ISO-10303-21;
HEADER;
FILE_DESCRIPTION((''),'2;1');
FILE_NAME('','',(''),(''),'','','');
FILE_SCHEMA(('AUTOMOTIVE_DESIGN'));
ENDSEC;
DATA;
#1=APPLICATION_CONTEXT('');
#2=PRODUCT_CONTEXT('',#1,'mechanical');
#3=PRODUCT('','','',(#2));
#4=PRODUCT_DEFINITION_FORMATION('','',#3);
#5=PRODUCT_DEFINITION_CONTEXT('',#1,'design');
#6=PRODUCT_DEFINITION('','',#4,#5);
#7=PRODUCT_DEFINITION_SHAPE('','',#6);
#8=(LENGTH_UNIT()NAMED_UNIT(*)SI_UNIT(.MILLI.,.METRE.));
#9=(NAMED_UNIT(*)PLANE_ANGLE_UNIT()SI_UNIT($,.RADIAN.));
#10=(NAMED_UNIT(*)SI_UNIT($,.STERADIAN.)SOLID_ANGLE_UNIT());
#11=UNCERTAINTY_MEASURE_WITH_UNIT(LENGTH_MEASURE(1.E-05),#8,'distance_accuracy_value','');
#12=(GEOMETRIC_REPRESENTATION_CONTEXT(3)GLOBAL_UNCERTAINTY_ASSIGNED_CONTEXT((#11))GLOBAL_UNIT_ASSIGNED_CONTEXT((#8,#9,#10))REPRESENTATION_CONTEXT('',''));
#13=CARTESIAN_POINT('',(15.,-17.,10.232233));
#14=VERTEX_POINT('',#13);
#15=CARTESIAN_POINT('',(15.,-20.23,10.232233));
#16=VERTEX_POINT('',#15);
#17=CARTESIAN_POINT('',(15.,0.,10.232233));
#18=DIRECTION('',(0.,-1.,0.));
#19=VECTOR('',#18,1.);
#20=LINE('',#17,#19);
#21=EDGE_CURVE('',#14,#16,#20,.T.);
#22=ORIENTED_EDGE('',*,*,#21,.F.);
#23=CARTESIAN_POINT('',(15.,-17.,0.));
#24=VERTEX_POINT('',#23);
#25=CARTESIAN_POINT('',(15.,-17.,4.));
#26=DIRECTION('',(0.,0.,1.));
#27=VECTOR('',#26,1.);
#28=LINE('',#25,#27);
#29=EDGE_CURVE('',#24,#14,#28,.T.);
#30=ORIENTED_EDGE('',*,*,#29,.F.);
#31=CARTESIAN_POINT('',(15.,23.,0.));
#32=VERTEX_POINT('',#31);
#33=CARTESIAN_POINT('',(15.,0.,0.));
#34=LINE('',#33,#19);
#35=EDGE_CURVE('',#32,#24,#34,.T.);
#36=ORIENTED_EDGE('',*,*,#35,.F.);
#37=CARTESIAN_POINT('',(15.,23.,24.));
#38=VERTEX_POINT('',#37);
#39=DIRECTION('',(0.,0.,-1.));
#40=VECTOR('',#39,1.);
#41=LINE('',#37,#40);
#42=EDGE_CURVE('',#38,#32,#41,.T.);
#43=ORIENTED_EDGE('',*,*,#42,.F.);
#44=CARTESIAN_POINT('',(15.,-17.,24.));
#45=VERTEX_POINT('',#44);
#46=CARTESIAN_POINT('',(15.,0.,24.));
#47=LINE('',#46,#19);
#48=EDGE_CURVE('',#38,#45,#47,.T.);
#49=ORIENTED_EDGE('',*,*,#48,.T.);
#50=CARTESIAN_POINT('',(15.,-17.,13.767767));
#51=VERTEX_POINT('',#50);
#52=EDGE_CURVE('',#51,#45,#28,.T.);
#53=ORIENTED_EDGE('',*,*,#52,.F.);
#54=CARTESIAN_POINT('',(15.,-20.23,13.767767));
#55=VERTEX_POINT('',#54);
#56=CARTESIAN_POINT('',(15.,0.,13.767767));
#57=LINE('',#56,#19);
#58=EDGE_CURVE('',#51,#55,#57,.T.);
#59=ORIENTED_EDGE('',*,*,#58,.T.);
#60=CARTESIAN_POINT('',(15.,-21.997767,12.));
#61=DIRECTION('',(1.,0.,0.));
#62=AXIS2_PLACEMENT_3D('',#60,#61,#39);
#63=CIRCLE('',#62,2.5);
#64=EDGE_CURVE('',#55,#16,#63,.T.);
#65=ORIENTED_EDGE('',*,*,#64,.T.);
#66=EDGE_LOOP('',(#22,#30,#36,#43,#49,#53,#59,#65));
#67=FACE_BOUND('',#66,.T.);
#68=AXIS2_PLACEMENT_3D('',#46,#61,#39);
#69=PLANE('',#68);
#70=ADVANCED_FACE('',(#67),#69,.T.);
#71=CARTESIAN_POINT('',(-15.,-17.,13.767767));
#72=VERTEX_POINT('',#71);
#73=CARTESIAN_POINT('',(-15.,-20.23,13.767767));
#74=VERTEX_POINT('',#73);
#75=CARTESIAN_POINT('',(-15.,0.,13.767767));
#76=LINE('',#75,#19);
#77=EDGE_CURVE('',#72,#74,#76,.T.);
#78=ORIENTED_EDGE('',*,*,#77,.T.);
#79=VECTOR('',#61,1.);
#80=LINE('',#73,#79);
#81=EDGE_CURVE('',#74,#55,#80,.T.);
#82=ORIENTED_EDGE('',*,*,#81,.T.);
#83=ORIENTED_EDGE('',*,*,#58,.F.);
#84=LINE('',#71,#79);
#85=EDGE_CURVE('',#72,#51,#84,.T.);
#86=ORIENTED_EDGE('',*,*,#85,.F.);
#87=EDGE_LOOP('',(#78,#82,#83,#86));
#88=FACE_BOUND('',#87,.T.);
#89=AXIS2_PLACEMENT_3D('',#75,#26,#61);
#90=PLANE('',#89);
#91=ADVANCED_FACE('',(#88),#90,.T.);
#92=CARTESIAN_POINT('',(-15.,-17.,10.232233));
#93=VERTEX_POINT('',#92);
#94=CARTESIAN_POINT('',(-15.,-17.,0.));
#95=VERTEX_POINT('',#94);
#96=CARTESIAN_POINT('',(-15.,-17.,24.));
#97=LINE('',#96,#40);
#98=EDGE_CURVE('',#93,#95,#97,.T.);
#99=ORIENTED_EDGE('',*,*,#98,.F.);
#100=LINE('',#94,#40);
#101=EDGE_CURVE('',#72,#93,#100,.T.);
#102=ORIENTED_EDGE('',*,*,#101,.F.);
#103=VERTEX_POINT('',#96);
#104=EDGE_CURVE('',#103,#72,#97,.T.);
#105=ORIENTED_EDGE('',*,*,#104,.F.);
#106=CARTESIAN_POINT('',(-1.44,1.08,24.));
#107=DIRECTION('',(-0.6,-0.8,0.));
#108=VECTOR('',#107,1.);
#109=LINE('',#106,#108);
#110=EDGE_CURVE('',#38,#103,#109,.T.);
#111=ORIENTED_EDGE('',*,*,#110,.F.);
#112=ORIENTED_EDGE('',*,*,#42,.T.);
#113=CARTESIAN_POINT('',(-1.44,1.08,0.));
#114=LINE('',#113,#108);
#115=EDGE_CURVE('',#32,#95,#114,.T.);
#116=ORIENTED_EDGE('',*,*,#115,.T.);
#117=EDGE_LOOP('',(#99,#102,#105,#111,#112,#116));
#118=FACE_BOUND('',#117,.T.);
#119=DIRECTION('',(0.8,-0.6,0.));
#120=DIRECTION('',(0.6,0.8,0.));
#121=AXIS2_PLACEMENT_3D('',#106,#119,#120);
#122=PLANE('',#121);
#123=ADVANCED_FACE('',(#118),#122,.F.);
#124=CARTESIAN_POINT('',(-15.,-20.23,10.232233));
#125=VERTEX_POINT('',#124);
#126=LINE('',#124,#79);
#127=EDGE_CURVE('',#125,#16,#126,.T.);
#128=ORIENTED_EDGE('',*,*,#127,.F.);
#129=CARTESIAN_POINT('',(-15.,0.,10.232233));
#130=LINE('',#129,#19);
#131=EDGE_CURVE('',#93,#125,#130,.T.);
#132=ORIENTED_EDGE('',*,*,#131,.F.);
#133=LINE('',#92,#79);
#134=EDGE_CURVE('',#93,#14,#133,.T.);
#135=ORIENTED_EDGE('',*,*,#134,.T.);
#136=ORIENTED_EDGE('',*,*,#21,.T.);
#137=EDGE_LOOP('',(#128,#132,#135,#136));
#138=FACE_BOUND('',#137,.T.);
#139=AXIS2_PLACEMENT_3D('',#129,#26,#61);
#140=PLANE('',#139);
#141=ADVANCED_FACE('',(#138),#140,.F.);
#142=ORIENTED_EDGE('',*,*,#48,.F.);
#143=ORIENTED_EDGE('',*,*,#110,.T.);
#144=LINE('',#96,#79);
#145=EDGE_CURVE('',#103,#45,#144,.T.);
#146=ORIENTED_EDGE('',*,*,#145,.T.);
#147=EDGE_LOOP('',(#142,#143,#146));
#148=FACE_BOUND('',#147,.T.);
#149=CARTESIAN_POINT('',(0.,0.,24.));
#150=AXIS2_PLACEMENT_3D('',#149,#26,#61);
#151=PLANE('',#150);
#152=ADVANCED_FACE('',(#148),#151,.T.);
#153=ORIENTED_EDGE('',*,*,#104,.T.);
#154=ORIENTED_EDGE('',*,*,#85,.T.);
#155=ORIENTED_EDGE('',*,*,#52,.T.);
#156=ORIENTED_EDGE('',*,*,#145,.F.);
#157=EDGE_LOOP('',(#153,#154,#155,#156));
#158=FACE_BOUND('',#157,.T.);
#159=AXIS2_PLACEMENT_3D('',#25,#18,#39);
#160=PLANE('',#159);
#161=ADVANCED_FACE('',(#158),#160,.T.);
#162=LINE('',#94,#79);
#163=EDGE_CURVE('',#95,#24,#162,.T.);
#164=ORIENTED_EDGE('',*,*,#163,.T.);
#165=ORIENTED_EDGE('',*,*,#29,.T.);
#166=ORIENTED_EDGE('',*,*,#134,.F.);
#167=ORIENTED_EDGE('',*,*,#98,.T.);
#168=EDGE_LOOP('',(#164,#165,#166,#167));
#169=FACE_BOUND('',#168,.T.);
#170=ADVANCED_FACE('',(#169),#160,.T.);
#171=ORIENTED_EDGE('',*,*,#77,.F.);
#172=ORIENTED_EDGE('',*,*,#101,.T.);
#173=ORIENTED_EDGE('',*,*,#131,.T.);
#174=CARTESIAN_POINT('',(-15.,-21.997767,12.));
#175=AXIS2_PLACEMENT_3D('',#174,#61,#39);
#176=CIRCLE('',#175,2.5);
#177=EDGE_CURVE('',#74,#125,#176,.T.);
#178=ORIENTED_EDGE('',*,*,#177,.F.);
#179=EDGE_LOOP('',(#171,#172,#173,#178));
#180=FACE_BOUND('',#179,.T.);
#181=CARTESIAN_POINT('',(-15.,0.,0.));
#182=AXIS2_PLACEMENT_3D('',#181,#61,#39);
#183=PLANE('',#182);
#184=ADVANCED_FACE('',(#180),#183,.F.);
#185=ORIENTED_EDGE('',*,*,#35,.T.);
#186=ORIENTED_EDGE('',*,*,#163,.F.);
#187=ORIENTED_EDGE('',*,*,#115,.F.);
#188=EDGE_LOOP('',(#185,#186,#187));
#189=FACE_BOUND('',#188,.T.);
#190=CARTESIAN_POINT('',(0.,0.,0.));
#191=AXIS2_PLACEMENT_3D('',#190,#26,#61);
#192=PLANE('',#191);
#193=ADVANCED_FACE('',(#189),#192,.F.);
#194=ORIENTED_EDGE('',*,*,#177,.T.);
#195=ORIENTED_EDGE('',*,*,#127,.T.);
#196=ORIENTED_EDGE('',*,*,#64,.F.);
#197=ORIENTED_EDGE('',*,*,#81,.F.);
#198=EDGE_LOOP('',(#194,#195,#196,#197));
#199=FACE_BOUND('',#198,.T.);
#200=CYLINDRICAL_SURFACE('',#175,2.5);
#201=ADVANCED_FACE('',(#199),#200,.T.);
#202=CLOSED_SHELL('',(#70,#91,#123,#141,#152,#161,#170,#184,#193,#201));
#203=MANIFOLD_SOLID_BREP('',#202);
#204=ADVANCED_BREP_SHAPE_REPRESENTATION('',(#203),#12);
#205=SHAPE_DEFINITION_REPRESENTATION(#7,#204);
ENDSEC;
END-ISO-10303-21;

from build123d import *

# Parameters (mm, degrees)
SKETCH_1_W          = 30
SKETCH_1_H          = 6
EXTRUDE_1_DEPTH     = 24
SKETCH_2_W          = 16
SKETCH_2_H          = 6
CUT_EXTRUDE_1_DEPTH = 45.777226354
SKETCH_3_W          = 4
SKETCH_3_H          = 4
EXTRUDE_2_DEPTH     = 30
SKETCH_4_W          = 26
SKETCH_4_H          = 4
EXTRUDE_3_DEPTH     = 10
SKETCH_5_W          = 4
SKETCH_5_H          = 10
CUT_EXTRUDE_3_DEPTH = 47.957427527
SKETCH_6_W          = 4
SKETCH_6_H          = 10
CUT_EXTRUDE_5_DEPTH = 47.957427527
SKETCH_7_R          = 4
EXTRUDE_5_DEPTH     = 30
SKETCH_8_R          = 4
CUT_EXTRUDE_6_DEPTH = 4
SKETCH_9_R          = 4
CUT_EXTRUDE_7_DEPTH = 44.324358045
SKETCH_10_W         = 3.23
SKETCH_10_H         = 3.54
EXTRUDE_6_DEPTH     = 30
SKETCH_11_W         = 3.23
SKETCH_11_H         = 3.54
CUT_EXTRUDE_8_DEPTH = 45.777226354
EXTRUDE_7_DEPTH     = 30


with BuildPart() as part:
    # 草图1 → 凸台-拉伸1 (new body)
    with BuildSketch(Plane.XY):
        Polygon((15, 23), (-15, -17), (15, -17), align=None)
        with Locations((0, -20)):
            Rectangle(SKETCH_1_W, SKETCH_1_H)
    extrude(amount=EXTRUDE_1_DEPTH)

    # 草图2 → 切除-拉伸1 (cut, through all)
    with BuildSketch(Plane.ZY.offset(15)):
        with Locations((12, -20)):
            Rectangle(SKETCH_2_W, SKETCH_2_H)
    extrude(amount=-CUT_EXTRUDE_1_DEPTH, mode=Mode.SUBTRACT)

    # 草图3 → 凸台-拉伸2 (add)
    with BuildSketch(Plane.ZY.offset(15)):
        with Locations((2, -25)):
            Rectangle(SKETCH_3_W, SKETCH_3_H)
        with Locations((22, -25)):
            Rectangle(SKETCH_3_W, SKETCH_3_H)
    extrude(amount=-EXTRUDE_2_DEPTH)

    # 草图4 → 凸台-拉伸3 (add)
    with BuildSketch(Plane.XZ.offset(17)):
        with Locations((-2, 12)):
            Rectangle(SKETCH_4_W, SKETCH_4_H)
    extrude(amount=EXTRUDE_3_DEPTH)

    # 草图5 → 切除-拉伸3 (cut, through all)
    with BuildSketch(Plane(origin=(15, 0, 0), x_dir=(0, 0, -1), z_dir=(1, 0, 0))):
        with Locations((-2, -22)):
            Rectangle(SKETCH_5_W, SKETCH_5_H)
        with Locations((-22, -22)):
            Rectangle(SKETCH_5_W, SKETCH_5_H)
    extrude(amount=-CUT_EXTRUDE_3_DEPTH, mode=Mode.SUBTRACT)

    # 草图6 → 切除-拉伸5 (cut, through all)
    with BuildSketch(Plane.ZY.offset(15)):
        with Locations((12, -22)):
            Rectangle(SKETCH_6_W, SKETCH_6_H)
    extrude(amount=-CUT_EXTRUDE_5_DEPTH, mode=Mode.SUBTRACT)

    # 草图10 → 凸台-拉伸6 (add)
    with BuildSketch(Plane(origin=(15, 0, 0), x_dir=(0, 0, -1), z_dir=(1, 0, 0))):
        with Locations((-12, -18.77)):
            Rectangle(SKETCH_10_W, SKETCH_10_H)
    extrude(amount=-EXTRUDE_6_DEPTH)

    # 草图11 → 切除-拉伸8 (cut, through all)
    with BuildSketch(Plane(origin=(15, 0, 0), x_dir=(0, 0, -1), z_dir=(1, 0, 0))):
        with Locations((-12, -18.77)):
            Rectangle(SKETCH_11_W, SKETCH_11_H)
    extrude(amount=-CUT_EXTRUDE_8_DEPTH, mode=Mode.SUBTRACT)

    # 草图12 → 凸台-拉伸7 (add)
    with BuildSketch(Plane(origin=(15, 0, 0), x_dir=(0, 0, -1), z_dir=(1, 0, 0))):
        Polygon((-13.767766953, -20.23), (-12, -21.997766953), (-10.232233047, -20.23), align=None)
        with BuildLine():
            Line((-10.232233047, -20.23), (-12, -21.997766953))
            Line((-12, -21.997766953), (-13.767766953, -20.23))
            ThreePointArc((-13.767766953, -20.23), (-12.956708581, -24.307465784), (-9.5, -21.997766953))
            ThreePointArc((-9.5, -21.997766953), (-9.690301169, -21.041058372), (-10.232233047, -20.23))
        make_face()
        with BuildLine():
            ThreePointArc((-13.767766953, -20.23), (-12, -19.497766953), (-10.232233047, -20.23))
            Line((-10.232233047, -20.23), (-10.232233047, -17))
            Line((-10.232233047, -17), (-13.767766953, -17))
            Line((-13.767766953, -17), (-13.767766953, -20.23))
        make_face()
        with BuildLine():
            Line((-13.767766953, -20.23), (-10.232233047, -20.23))
            ThreePointArc((-10.232233047, -20.23), (-12, -19.497766953), (-13.767766953, -20.23))
        make_face()
    extrude(amount=-EXTRUDE_7_DEPTH)


with BuildPart() as body_2:
    # 草图7 → 凸台-拉伸5 (new body)
    with BuildSketch(Plane(origin=(15, 0, 0), x_dir=(0, 0, -1), z_dir=(1, 0, 0))):
        with Locations((-12, -21)):
            Circle(SKETCH_7_R)
    extrude(amount=-EXTRUDE_5_DEPTH)

    # 草图8 → 切除-拉伸6 (cut)
    with BuildSketch(Plane(origin=(15, 0, 0), x_dir=(0, 0, -1), z_dir=(1, 0, 0))):
        with Locations((-12, -21)):
            Circle(SKETCH_8_R)
    extrude(amount=-CUT_EXTRUDE_6_DEPTH, mode=Mode.SUBTRACT)

    # 草图9 → 切除-拉伸7 (cut, through all)
    with BuildSketch(Plane(origin=(11, 0, 0), x_dir=(0, 0, -1), z_dir=(1, 0, 0))):
        with Locations((-12, -21)):
            Circle(SKETCH_9_R)
    extrude(amount=-CUT_EXTRUDE_7_DEPTH, mode=Mode.SUBTRACT)


solid = part.part
